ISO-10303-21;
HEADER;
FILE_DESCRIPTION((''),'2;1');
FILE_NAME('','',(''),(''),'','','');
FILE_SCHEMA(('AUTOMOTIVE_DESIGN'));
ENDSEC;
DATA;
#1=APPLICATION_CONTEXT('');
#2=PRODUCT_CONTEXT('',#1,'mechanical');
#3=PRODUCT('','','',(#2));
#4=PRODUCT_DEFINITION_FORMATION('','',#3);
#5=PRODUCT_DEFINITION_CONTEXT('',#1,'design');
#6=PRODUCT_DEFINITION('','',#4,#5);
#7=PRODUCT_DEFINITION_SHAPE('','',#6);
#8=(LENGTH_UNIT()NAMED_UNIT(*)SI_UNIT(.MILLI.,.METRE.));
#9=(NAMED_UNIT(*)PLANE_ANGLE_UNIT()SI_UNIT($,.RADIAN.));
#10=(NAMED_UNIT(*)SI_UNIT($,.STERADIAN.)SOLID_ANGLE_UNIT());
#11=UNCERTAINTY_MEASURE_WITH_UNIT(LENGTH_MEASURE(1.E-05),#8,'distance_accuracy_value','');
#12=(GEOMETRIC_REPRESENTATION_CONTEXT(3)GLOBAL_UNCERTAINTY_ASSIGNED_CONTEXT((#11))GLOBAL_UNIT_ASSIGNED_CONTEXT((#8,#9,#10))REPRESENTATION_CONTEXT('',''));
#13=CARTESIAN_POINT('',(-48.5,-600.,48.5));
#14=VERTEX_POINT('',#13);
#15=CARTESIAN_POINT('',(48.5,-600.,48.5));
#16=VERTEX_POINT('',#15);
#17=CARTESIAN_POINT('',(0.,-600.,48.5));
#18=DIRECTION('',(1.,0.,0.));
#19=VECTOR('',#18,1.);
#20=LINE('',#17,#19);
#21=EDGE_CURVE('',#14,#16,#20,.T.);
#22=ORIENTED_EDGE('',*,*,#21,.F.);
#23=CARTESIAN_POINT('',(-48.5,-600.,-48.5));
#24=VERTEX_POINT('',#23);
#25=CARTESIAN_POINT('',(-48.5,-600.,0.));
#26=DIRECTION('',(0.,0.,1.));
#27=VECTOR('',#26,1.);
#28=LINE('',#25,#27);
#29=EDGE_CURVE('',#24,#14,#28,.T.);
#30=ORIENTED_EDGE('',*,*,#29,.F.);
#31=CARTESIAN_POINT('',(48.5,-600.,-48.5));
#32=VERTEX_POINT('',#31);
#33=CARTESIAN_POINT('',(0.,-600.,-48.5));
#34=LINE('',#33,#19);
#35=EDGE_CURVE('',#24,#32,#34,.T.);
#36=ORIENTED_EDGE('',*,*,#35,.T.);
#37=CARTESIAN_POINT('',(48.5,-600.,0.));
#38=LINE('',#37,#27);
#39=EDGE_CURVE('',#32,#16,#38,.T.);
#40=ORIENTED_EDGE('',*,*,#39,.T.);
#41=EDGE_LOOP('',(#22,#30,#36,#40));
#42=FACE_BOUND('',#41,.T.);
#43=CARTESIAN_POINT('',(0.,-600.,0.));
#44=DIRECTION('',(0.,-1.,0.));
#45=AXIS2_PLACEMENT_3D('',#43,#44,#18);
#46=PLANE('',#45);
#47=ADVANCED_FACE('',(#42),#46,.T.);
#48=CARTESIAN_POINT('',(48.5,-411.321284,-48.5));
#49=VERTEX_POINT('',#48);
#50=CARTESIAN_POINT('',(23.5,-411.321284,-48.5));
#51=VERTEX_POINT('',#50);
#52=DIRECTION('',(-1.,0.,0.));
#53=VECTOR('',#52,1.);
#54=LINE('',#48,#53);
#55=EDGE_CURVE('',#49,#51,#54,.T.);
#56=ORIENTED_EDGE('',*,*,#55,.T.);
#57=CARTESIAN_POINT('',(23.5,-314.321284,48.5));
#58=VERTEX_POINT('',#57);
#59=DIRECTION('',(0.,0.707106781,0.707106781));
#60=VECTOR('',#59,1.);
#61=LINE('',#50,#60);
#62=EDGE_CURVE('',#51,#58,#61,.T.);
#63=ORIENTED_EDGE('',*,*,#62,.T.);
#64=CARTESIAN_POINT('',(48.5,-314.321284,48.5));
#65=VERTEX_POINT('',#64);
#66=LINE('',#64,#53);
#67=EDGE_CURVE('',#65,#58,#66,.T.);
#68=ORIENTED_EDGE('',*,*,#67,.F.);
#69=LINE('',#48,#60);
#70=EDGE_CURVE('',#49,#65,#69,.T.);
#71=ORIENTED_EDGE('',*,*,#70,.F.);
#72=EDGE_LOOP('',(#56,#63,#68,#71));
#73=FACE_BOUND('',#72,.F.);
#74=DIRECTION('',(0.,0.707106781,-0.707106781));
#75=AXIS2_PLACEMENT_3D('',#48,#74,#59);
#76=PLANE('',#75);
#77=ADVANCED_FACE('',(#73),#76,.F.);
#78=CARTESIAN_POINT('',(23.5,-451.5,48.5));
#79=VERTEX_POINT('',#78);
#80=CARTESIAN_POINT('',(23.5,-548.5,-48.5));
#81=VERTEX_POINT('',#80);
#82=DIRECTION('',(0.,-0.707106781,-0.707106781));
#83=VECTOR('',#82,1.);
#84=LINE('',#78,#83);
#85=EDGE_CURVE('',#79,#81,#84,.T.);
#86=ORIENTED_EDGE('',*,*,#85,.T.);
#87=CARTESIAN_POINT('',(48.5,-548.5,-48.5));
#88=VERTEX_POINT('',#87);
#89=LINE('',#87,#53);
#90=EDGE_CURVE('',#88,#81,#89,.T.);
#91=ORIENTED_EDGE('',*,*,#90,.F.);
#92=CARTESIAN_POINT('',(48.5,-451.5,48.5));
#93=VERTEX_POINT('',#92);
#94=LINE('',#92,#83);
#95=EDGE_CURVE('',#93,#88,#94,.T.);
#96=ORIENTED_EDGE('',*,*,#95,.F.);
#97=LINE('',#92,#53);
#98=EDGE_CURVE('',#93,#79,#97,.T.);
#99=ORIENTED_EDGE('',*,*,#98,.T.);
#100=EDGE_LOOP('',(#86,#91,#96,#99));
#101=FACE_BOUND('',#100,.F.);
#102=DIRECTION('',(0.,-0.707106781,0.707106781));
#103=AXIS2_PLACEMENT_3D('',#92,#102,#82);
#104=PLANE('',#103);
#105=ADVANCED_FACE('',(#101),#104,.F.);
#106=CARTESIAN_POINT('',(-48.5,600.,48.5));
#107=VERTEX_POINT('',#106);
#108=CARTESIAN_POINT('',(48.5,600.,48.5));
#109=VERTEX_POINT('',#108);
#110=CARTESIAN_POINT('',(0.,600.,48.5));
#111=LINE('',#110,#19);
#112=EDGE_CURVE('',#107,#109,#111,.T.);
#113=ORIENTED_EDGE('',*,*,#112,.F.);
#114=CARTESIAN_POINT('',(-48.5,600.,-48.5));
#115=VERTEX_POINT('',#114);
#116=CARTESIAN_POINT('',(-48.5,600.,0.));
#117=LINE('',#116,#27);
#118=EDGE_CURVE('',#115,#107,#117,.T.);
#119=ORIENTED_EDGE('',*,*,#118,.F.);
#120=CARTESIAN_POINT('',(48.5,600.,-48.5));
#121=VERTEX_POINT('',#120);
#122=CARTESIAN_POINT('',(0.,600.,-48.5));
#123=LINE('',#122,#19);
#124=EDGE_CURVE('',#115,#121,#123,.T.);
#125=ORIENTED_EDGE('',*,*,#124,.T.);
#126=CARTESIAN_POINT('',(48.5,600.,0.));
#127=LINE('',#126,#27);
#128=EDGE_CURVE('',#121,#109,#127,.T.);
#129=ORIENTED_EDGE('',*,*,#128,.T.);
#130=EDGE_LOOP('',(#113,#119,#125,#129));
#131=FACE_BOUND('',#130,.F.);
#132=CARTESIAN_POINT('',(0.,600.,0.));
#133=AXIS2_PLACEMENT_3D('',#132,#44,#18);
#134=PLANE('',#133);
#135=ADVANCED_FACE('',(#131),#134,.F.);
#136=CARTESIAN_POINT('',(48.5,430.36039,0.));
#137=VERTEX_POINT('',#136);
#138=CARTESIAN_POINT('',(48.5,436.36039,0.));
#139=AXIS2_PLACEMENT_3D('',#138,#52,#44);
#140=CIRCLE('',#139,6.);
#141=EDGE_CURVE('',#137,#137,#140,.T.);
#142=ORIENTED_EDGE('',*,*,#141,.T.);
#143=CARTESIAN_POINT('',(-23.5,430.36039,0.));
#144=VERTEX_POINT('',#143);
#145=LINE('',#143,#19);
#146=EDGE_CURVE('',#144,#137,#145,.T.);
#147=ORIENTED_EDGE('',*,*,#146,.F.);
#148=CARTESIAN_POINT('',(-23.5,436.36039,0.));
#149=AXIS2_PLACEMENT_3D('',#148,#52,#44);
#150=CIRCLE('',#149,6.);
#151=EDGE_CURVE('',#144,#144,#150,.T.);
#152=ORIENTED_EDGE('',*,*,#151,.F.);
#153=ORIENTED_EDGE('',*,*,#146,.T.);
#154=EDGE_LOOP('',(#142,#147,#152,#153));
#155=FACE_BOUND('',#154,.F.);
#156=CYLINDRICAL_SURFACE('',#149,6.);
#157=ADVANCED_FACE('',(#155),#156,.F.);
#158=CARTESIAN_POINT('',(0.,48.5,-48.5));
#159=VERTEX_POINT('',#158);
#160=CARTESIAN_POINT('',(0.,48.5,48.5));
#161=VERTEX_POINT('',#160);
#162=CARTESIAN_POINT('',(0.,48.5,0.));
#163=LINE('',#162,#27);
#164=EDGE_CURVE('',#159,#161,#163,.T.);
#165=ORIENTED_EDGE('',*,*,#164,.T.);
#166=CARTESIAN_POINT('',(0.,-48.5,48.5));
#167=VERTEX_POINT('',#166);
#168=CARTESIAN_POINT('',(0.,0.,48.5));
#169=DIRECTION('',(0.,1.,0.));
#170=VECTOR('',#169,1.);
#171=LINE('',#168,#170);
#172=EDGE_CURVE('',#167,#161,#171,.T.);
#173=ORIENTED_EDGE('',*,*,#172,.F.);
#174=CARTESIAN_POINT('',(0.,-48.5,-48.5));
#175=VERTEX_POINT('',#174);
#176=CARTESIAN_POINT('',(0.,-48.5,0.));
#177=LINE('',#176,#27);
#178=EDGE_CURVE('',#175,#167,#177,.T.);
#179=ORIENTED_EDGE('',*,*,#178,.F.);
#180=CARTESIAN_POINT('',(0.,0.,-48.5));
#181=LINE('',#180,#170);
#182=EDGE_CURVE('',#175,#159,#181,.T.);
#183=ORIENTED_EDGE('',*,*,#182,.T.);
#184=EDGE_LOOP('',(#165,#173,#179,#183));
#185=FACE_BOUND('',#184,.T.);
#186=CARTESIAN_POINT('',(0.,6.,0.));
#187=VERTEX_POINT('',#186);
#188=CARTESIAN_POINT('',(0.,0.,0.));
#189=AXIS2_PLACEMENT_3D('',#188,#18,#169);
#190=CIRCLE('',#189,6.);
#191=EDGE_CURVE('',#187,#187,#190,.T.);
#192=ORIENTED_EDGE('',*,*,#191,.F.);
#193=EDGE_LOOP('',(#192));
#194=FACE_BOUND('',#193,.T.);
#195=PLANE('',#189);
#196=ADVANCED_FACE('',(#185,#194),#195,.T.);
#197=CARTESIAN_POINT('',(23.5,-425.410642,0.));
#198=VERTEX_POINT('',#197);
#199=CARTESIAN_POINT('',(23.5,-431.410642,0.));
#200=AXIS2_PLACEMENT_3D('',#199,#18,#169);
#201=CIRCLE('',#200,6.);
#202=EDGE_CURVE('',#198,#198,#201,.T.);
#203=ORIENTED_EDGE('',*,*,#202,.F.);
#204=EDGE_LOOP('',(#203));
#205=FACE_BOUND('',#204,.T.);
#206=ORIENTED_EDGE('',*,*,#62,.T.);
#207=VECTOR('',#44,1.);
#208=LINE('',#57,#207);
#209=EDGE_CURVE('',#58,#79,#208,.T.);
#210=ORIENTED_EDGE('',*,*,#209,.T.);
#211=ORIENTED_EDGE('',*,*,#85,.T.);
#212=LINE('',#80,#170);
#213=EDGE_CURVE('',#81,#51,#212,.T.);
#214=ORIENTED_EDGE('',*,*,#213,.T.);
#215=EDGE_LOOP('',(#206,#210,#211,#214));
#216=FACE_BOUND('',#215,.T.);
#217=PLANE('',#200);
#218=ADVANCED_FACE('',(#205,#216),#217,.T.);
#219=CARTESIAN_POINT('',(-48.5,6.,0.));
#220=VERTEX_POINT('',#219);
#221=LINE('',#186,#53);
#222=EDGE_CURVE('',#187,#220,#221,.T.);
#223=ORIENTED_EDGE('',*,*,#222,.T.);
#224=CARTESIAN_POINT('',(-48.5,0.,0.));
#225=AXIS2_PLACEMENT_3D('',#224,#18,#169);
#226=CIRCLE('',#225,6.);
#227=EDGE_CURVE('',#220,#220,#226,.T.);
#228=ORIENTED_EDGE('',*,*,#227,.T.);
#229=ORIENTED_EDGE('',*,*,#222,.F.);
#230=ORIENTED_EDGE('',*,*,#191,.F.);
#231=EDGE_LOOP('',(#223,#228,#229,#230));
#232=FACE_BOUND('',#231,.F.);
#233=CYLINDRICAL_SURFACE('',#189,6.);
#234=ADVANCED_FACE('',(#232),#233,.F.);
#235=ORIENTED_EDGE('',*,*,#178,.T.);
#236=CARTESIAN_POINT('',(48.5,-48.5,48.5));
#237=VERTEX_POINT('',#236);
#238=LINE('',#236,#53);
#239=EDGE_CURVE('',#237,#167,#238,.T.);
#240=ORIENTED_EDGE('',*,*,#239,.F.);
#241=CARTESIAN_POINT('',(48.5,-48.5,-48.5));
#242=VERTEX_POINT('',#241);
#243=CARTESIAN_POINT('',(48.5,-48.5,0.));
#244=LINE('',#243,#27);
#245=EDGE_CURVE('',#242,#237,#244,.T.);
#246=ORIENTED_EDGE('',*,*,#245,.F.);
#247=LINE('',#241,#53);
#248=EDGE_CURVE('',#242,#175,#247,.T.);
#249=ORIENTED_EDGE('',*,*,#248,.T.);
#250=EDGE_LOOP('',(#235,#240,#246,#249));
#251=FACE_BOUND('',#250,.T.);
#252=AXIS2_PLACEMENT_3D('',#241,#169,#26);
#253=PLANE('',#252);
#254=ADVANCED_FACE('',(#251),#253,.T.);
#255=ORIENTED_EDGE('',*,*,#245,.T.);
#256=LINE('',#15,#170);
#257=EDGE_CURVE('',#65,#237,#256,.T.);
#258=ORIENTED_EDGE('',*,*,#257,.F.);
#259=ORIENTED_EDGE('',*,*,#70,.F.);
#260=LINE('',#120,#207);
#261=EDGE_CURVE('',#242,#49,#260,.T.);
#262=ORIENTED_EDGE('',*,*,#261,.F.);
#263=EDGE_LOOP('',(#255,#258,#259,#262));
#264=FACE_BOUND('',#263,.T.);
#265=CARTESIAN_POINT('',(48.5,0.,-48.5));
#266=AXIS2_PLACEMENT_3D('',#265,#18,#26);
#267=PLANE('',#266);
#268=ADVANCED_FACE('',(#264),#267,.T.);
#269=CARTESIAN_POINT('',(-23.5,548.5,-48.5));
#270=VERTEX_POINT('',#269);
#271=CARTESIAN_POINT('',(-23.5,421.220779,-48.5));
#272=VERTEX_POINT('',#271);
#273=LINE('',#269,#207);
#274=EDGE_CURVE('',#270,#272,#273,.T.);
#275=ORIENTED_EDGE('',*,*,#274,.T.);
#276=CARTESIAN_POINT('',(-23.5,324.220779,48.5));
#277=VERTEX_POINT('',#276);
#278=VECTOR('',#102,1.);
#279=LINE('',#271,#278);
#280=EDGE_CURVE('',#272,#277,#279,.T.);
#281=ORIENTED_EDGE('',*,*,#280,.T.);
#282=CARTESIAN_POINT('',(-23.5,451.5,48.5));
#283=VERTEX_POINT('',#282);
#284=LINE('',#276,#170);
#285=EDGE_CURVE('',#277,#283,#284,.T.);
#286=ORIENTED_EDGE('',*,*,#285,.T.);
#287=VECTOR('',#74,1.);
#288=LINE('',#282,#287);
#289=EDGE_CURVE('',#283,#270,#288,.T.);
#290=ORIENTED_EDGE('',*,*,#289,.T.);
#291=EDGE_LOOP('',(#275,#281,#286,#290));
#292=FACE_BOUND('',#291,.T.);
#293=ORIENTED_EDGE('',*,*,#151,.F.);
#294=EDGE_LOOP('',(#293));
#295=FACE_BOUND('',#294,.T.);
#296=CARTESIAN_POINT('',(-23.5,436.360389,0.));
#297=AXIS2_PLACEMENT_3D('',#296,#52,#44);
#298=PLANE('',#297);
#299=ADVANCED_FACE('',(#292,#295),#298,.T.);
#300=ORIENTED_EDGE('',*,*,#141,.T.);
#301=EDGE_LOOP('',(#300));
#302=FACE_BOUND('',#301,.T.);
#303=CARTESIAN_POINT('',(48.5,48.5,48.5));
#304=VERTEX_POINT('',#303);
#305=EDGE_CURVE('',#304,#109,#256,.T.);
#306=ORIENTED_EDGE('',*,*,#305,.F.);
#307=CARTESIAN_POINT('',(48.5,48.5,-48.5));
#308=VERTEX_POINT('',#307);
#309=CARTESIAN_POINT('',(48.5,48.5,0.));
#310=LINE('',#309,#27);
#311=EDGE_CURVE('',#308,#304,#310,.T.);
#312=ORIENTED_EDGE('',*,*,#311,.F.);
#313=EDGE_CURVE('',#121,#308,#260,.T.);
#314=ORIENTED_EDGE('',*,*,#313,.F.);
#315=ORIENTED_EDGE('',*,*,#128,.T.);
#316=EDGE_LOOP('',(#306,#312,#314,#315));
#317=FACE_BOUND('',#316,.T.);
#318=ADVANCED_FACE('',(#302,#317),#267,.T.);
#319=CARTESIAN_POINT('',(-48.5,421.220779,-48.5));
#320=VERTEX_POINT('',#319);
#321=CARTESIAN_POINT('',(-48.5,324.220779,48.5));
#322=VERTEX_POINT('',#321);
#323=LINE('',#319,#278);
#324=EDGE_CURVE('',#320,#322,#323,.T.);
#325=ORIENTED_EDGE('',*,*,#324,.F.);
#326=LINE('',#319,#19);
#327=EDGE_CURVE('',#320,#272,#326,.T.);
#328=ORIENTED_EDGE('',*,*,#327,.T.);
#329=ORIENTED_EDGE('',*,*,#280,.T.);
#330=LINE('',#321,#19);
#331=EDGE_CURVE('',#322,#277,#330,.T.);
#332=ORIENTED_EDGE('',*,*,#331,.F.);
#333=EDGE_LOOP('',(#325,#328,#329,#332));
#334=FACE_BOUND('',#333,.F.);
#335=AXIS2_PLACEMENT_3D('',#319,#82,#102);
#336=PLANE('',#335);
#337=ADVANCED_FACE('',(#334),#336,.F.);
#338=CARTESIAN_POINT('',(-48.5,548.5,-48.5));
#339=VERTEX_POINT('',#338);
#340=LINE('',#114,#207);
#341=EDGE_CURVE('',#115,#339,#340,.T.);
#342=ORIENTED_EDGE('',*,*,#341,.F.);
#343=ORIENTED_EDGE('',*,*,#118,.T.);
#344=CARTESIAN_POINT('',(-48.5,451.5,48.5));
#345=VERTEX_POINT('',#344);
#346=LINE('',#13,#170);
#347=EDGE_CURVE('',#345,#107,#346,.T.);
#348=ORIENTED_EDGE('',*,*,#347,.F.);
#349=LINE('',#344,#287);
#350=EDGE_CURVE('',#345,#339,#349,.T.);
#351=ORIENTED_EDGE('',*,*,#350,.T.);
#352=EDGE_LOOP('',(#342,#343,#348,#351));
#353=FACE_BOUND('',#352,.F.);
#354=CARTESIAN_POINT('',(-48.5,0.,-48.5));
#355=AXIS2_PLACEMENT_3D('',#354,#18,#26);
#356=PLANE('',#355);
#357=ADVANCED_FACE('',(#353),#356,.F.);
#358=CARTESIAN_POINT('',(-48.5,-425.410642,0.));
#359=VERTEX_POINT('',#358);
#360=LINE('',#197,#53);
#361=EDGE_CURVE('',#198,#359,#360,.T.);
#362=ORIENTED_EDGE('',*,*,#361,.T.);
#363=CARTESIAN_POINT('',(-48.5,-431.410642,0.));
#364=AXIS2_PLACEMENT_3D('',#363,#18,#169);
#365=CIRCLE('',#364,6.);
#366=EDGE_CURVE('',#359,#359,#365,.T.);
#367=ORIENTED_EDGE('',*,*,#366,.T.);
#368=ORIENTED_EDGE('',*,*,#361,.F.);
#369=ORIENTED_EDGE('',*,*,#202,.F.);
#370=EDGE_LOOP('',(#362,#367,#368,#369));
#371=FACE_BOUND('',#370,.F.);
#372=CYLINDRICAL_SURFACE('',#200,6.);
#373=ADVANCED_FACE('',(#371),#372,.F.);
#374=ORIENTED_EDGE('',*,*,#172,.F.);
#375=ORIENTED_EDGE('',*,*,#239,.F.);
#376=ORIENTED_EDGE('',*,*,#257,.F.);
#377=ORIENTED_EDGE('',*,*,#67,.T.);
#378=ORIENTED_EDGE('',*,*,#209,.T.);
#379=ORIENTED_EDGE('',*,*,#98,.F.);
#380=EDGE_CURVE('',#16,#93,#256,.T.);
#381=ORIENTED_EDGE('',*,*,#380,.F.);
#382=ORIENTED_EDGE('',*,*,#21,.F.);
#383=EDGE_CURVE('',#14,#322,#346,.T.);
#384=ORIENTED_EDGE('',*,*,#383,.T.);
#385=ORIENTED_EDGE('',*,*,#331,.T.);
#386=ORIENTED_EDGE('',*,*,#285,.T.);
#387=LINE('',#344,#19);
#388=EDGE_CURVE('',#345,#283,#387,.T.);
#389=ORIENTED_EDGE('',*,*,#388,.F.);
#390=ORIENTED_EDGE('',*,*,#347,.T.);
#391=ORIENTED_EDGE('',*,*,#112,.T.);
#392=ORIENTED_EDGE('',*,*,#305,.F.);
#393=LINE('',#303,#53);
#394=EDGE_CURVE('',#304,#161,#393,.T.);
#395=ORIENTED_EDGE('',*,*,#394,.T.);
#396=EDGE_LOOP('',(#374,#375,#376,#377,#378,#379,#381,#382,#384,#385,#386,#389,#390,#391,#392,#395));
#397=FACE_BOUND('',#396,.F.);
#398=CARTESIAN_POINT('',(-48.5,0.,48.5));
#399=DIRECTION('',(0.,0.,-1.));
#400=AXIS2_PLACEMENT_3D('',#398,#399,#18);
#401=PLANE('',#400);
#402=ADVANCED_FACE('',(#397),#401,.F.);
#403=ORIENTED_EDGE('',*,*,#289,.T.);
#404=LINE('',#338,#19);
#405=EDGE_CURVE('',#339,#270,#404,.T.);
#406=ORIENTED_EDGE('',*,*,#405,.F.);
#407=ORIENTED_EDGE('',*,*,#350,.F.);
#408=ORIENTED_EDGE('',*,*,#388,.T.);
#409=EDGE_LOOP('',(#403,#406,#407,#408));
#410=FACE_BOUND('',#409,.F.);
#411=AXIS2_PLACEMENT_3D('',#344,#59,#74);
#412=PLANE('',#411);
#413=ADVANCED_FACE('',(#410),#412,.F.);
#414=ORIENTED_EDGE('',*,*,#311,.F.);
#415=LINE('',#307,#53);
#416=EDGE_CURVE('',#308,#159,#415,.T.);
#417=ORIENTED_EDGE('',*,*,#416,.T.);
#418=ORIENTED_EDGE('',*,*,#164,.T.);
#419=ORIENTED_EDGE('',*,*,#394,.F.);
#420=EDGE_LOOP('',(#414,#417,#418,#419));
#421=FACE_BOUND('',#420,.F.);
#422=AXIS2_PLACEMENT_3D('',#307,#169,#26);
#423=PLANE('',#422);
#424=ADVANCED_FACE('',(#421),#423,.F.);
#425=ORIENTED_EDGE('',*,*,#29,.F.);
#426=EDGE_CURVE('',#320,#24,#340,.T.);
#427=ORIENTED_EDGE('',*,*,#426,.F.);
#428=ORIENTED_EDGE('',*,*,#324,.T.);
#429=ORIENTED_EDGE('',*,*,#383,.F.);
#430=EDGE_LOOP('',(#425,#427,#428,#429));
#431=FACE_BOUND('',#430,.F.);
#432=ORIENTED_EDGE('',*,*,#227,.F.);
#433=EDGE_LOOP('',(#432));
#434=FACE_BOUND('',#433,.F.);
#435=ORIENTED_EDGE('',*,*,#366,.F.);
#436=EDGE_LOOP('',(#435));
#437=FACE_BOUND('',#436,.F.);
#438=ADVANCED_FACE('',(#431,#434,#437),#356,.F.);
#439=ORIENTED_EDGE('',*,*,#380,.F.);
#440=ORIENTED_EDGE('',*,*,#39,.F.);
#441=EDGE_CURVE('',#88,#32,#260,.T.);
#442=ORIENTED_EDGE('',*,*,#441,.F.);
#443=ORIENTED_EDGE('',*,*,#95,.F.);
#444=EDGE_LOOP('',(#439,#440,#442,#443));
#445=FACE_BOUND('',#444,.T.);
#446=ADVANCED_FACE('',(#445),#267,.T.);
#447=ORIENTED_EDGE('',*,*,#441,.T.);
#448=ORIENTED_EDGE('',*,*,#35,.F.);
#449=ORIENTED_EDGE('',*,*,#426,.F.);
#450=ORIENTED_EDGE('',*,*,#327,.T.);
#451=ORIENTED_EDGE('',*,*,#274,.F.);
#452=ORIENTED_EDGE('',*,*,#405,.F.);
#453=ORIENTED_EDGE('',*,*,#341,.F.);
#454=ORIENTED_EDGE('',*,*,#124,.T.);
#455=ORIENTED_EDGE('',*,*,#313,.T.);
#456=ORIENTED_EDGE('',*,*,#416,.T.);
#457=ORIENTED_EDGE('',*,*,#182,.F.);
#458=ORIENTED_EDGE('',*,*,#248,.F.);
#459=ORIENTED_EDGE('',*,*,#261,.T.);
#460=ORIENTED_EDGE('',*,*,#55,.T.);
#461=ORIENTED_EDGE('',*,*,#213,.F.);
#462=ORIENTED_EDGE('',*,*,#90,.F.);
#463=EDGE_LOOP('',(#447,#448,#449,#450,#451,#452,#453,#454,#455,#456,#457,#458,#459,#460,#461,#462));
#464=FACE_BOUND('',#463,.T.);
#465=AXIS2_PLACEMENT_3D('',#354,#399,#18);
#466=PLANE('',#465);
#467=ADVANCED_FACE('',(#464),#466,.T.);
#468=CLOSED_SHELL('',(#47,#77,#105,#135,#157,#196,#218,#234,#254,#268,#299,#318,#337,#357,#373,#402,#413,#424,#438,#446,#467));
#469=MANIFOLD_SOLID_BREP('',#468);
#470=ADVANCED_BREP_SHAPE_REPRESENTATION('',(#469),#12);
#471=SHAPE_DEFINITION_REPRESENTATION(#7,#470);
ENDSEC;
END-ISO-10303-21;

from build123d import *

# Parameters (mm, degrees)
F0_W      = 97
F0_H      = 97
F1_DEPTH  = 600
F2_W      = 97
F2_H      = 97
F3_DEPTH  = 48.5
F5_DEPTH  = 25
F7_DEPTH  = 25
F8_R      = 6
F9_DEPTH  = 72
F10_R     = 6
F11_DEPTH = 48.5
F12_R     = 6
F13_DEPTH = 72


with BuildPart() as f1:
    # F0 (on Front) → F1 (new body, symmetric)
    with BuildSketch(Plane.XZ):
        Rectangle(F0_W, F0_H)
    extrude(amount=F1_DEPTH, both=True)

    # F2 (on face) → F3 (cut)
    with BuildSketch(Plane.YZ.offset(48.5)):
        Rectangle(F2_W, F2_H)
    extrude(amount=-F3_DEPTH, mode=Mode.SUBTRACT)

    # F4 (on face) → F5 (cut)
    with BuildSketch(Plane.YZ.offset(48.5)):
        Polygon((-314.321284, 48.5), (-451.5, 48.5), (-548.5, -48.5), (-411.321284, -48.5), align=None)
    extrude(amount=-F5_DEPTH, mode=Mode.SUBTRACT)

    # F6 (on face) → F7 (cut)
    with BuildSketch(Plane(origin=(-48.5, 0, 0), x_dir=(0, -1, 0), z_dir=(-1, 0, 0))):
        Polygon((-324.220779, 48.5), (-451.5, 48.5), (-548.5, -48.5), (-421.220779, -48.5), align=None)
    extrude(amount=-F7_DEPTH, mode=Mode.SUBTRACT)

    # F8 (on face) → F9 (cut, through all)
    with BuildSketch(Plane.YZ.offset(23.5)):
        with Locations((-431.410642, 0)):
            Circle(F8_R)
    extrude(amount=-F9_DEPTH, mode=Mode.SUBTRACT)

    # F10 (on face) → F11 (cut, through all)
    with BuildSketch(Plane.YZ):
        Circle(F10_R)
    extrude(amount=-F11_DEPTH, mode=Mode.SUBTRACT)

    # F12 (on face) → F13 (cut, through all)
    with BuildSketch(Plane(origin=(-23.5, 0, 0), x_dir=(0, -1, 0), z_dir=(-1, 0, 0))):
        with Locations((-436.36039, 0)):
            Circle(F12_R)
    extrude(amount=-F13_DEPTH, mode=Mode.SUBTRACT)


solid = f1.part
